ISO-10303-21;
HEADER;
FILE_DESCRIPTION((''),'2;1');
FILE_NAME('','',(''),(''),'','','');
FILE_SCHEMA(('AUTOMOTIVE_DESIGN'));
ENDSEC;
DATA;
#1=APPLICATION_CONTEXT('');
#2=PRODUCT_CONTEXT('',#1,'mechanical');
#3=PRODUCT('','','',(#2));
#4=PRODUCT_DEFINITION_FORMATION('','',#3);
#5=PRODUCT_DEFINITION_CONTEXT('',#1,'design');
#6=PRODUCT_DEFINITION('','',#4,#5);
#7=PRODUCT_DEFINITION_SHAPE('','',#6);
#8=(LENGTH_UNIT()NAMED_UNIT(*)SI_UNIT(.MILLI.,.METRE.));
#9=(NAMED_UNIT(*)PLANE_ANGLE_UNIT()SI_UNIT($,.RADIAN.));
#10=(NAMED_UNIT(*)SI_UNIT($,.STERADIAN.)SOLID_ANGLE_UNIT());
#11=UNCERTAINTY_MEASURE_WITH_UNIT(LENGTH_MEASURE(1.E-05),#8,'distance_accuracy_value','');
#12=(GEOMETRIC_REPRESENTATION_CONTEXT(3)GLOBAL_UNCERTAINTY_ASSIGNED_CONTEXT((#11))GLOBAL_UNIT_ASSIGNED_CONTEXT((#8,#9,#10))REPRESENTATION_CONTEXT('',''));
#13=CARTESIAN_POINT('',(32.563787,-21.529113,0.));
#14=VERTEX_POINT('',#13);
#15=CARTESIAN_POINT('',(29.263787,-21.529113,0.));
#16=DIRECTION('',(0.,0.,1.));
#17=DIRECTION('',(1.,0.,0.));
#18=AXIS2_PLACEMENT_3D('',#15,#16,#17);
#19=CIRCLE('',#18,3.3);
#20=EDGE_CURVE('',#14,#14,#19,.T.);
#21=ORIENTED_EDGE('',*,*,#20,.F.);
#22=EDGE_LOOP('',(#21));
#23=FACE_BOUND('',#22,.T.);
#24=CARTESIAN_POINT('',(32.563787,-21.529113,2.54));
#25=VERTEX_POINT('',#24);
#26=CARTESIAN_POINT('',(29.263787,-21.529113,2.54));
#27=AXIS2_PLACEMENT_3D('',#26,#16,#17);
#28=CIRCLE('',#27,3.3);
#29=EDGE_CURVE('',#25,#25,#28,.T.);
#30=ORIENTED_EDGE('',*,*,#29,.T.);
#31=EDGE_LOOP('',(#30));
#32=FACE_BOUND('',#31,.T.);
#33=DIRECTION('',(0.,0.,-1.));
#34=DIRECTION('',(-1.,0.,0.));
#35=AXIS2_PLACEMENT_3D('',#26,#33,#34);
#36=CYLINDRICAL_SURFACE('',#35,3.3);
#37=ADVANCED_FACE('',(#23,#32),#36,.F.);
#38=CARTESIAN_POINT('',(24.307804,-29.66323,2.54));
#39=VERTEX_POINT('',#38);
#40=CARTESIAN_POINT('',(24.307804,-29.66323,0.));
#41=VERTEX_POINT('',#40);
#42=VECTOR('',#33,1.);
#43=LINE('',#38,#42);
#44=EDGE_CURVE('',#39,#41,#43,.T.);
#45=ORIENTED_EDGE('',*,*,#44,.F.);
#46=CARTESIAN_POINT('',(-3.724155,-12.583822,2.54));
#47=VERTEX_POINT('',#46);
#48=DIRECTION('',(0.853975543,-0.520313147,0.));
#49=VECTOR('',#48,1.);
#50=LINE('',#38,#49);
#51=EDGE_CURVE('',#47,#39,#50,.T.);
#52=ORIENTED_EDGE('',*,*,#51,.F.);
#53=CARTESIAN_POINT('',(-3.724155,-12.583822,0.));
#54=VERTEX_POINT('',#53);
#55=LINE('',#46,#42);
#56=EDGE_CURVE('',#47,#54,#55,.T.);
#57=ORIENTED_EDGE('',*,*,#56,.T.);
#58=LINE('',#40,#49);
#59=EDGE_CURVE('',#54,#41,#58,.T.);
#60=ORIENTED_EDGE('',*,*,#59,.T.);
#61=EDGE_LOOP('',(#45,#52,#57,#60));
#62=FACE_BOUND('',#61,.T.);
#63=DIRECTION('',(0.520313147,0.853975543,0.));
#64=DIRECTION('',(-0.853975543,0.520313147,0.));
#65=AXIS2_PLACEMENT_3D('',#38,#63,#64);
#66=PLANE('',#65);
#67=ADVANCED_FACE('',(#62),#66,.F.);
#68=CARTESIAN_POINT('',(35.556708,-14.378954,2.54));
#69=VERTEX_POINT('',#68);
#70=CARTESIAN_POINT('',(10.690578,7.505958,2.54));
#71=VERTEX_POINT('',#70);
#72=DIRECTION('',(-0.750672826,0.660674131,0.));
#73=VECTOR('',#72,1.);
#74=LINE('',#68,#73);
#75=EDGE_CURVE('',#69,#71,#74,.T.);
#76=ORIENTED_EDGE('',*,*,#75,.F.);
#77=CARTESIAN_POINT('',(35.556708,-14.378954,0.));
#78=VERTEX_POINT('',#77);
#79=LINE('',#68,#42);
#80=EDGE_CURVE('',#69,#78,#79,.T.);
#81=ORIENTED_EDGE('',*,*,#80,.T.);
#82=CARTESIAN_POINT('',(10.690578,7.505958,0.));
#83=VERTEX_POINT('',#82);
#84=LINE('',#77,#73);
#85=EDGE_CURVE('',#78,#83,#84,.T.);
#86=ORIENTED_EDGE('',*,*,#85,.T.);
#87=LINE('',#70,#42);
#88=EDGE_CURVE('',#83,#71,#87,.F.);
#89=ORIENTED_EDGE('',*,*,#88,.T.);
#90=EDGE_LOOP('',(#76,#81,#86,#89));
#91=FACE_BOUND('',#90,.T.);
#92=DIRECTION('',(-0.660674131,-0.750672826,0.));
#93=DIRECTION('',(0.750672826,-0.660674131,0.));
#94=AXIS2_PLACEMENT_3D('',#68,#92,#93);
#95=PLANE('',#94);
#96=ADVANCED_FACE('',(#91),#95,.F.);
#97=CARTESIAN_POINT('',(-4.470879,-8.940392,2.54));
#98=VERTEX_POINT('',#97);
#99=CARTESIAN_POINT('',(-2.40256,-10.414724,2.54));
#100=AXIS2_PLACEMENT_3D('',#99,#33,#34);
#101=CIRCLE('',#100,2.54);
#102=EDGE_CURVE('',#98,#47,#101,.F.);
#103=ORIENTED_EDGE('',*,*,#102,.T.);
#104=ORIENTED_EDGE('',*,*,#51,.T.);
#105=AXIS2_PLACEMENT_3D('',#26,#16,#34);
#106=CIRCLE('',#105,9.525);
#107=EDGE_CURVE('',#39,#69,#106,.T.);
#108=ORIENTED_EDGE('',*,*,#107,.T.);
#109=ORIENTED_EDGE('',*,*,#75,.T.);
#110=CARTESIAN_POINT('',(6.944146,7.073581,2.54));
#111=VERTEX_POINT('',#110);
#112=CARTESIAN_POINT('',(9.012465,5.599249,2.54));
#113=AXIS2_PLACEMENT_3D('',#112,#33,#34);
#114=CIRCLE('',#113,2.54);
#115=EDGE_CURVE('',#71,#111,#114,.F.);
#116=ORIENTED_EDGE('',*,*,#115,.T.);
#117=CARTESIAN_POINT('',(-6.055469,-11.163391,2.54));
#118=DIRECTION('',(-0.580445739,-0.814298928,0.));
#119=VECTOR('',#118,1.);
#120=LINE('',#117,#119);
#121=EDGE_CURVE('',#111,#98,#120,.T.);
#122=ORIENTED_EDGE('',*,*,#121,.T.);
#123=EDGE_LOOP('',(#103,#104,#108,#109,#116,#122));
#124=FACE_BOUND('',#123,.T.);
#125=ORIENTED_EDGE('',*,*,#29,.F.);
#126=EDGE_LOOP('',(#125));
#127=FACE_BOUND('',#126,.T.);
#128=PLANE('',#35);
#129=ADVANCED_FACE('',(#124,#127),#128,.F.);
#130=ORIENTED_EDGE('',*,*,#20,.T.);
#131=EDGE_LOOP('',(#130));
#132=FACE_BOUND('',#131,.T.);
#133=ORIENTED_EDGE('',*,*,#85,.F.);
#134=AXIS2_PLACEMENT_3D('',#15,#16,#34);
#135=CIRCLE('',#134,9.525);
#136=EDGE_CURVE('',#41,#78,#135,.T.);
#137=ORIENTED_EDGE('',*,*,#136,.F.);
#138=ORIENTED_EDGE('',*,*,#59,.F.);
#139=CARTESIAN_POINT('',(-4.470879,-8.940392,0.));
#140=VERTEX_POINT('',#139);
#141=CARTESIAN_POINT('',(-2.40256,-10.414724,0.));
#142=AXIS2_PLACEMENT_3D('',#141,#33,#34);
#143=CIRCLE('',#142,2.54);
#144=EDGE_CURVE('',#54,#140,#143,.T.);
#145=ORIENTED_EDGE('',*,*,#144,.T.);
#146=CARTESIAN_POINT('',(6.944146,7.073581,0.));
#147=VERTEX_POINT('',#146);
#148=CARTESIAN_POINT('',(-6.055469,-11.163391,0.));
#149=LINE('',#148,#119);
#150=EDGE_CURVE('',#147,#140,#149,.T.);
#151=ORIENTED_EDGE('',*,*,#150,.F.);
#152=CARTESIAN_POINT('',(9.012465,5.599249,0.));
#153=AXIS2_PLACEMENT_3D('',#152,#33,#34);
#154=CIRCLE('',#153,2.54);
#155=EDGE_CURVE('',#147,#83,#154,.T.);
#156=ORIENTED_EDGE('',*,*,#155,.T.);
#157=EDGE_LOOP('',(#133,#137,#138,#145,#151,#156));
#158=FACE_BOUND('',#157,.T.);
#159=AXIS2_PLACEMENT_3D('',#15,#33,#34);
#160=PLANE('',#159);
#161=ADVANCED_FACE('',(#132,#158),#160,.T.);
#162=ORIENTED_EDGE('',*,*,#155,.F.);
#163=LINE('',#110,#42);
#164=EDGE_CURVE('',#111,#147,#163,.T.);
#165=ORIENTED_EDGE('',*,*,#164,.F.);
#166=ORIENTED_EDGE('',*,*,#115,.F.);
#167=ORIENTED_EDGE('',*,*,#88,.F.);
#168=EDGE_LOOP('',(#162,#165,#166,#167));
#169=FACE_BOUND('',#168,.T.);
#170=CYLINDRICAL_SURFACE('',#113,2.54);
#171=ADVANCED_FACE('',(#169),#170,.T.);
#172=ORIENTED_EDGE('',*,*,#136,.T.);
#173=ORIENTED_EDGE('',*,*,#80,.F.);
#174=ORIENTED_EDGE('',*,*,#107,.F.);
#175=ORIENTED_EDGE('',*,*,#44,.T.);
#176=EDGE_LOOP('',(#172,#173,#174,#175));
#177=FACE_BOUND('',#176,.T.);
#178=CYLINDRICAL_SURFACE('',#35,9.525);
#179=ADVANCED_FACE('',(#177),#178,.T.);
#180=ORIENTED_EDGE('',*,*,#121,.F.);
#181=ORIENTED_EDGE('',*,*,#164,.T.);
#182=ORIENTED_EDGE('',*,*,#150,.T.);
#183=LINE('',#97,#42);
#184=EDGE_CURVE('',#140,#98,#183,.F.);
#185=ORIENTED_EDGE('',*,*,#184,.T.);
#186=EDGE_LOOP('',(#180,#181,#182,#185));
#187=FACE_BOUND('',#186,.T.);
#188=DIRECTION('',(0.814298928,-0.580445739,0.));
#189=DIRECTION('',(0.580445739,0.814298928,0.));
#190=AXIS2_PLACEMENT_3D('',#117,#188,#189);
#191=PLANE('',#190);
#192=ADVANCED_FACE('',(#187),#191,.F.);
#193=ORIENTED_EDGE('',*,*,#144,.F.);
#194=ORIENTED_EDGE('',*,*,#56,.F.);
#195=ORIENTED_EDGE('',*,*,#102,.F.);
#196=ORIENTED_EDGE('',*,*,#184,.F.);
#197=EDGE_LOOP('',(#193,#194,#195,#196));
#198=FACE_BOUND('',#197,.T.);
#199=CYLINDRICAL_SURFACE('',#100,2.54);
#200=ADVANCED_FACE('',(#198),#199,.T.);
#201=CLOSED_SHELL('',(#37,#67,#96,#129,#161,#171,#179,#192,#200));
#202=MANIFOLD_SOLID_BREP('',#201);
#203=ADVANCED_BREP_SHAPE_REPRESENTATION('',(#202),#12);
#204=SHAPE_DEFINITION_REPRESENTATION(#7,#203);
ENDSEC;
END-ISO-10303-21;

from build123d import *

# Parameters (mm, degrees)
SKETCH1_R           = 3.3
BOSS_EXTRUDE3_DEPTH = 2.54
FILLET1_R           = 2.54
FILLET2_R           = 2.54


with BuildPart() as part:
    # Sketch1 → Boss-Extrude3 (new body)
    with BuildSketch(Plane.XY):
        with BuildLine():
            Line((24.307803938, -29.663229905), (-6.055469212, -11.163390731))
            Line((-6.055469212, -11.163390731), (8.577809795, 9.365424663))
            Line((8.577809795, 9.365424663), (35.556707766, -14.378954182))
            ThreePointArc((35.556707766, -14.378954182), (36.935104815, -27.175040842), (24.307803938, -29.663229905))
        make_face()
        with Locations((29.263786665, -21.529112854)):
            Circle(SKETCH1_R, mode=Mode.SUBTRACT)
    extrude(amount=BOSS_EXTRUDE3_DEPTH)

    # Fillet1
    fillet1_edges = [part.edges().sort_by_distance(p)[0] for p in [
        (-6.055469212, -11.163390731, 1.27),
    ]]
    fillet(fillet1_edges, radius=FILLET1_R)

    # Fillet2
    fillet2_edges = [part.edges().sort_by_distance(p)[0] for p in [
        (8.577809795, 9.365424663, 1.27),
    ]]
    fillet(fillet2_edges, radius=FILLET2_R)


solid = part.part
